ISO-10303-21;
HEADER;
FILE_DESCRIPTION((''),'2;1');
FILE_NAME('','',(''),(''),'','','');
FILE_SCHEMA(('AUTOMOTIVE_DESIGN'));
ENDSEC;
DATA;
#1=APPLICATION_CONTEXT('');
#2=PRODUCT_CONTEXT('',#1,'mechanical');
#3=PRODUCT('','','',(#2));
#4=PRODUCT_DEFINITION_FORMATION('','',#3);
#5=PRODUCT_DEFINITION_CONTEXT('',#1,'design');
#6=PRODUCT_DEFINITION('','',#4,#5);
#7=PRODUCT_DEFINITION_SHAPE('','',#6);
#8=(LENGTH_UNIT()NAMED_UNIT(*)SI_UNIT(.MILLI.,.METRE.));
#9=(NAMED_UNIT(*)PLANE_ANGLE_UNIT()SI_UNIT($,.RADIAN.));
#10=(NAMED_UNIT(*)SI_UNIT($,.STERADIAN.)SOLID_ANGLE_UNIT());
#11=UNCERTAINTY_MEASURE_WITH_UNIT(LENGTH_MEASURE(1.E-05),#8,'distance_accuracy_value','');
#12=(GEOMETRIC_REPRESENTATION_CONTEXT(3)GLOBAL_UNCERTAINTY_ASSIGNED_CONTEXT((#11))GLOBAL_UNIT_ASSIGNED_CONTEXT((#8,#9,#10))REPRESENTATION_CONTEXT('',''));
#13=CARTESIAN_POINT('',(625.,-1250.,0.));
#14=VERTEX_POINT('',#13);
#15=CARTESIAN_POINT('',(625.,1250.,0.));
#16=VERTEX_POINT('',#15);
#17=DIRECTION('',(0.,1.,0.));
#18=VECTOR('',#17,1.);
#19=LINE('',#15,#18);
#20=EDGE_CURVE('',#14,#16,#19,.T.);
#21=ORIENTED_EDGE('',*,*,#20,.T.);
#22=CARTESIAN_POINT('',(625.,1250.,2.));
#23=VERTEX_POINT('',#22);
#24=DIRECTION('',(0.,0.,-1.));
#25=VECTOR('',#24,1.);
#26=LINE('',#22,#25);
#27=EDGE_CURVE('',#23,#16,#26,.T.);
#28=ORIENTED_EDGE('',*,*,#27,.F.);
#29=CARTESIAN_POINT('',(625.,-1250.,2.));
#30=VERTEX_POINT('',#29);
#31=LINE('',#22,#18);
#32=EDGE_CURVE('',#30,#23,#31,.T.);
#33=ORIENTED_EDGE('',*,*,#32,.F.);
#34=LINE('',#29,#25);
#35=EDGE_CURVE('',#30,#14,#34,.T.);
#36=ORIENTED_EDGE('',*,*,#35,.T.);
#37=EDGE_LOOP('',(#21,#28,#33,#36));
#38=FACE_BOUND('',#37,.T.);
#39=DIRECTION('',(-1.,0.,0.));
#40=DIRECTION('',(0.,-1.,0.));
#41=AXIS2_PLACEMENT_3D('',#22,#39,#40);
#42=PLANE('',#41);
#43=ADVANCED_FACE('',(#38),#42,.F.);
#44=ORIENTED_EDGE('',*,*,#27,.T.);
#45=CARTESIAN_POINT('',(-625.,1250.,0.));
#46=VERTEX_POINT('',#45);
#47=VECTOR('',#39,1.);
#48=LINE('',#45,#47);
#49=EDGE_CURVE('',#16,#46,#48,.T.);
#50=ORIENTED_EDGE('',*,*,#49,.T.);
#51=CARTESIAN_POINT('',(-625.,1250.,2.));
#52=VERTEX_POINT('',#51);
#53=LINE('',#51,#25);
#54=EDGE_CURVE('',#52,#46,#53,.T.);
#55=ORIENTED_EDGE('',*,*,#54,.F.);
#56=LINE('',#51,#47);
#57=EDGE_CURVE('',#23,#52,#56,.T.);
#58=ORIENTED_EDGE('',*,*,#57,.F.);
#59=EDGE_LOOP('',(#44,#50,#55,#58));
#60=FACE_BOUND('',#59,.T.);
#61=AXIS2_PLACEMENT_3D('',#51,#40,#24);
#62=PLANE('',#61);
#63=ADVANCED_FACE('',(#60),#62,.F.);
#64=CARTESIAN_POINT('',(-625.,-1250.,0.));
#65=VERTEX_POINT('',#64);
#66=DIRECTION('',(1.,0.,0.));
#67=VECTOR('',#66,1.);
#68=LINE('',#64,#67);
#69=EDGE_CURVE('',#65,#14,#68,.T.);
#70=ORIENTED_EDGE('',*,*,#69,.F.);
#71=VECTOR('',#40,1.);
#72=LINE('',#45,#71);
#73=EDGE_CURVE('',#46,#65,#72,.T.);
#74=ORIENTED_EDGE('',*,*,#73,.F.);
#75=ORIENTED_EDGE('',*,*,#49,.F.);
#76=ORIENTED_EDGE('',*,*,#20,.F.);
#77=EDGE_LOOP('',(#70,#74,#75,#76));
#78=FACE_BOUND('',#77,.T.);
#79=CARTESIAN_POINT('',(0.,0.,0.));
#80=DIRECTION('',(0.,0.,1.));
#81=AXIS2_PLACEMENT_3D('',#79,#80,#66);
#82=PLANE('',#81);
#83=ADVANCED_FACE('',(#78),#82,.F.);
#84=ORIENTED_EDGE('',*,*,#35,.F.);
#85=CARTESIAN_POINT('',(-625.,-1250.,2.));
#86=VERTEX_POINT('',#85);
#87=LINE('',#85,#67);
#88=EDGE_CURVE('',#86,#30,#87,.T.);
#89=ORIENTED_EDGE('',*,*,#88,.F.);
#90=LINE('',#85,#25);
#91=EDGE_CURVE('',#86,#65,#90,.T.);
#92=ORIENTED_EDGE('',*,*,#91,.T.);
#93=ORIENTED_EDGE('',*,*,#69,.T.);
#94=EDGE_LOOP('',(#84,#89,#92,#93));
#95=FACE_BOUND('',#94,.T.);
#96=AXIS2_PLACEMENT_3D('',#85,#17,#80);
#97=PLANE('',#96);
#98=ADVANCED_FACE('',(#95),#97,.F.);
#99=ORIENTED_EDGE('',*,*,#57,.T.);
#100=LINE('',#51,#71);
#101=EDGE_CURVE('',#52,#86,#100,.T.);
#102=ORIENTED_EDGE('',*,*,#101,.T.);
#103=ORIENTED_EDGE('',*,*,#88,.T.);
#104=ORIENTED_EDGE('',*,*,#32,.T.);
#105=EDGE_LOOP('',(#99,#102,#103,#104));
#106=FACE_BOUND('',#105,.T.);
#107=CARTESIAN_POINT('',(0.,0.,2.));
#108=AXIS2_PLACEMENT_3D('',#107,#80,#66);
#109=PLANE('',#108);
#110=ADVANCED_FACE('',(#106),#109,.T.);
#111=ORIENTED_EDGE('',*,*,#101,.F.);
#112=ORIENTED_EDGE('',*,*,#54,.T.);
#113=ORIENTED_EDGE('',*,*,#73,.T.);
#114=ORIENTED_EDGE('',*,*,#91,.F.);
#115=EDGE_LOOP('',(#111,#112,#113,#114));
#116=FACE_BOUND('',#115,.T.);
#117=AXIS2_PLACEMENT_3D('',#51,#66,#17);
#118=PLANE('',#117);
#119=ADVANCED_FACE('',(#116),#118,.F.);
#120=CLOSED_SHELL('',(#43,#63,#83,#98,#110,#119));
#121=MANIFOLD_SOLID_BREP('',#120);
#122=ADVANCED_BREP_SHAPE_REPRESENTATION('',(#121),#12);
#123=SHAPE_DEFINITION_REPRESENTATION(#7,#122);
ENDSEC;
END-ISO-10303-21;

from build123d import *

# Parameters (mm, degrees)
ESQUISSE1_W        = 1250
ESQUISSE1_H        = 2500
BOSS_EXTRU_1_DEPTH = 2


with BuildPart() as part:
    # Esquisse1 → Boss.-Extru.1 (new body)
    with BuildSketch(Plane.XY):
        Rectangle(ESQUISSE1_W, ESQUISSE1_H)
    extrude(amount=BOSS_EXTRU_1_DEPTH)


solid = part.part
